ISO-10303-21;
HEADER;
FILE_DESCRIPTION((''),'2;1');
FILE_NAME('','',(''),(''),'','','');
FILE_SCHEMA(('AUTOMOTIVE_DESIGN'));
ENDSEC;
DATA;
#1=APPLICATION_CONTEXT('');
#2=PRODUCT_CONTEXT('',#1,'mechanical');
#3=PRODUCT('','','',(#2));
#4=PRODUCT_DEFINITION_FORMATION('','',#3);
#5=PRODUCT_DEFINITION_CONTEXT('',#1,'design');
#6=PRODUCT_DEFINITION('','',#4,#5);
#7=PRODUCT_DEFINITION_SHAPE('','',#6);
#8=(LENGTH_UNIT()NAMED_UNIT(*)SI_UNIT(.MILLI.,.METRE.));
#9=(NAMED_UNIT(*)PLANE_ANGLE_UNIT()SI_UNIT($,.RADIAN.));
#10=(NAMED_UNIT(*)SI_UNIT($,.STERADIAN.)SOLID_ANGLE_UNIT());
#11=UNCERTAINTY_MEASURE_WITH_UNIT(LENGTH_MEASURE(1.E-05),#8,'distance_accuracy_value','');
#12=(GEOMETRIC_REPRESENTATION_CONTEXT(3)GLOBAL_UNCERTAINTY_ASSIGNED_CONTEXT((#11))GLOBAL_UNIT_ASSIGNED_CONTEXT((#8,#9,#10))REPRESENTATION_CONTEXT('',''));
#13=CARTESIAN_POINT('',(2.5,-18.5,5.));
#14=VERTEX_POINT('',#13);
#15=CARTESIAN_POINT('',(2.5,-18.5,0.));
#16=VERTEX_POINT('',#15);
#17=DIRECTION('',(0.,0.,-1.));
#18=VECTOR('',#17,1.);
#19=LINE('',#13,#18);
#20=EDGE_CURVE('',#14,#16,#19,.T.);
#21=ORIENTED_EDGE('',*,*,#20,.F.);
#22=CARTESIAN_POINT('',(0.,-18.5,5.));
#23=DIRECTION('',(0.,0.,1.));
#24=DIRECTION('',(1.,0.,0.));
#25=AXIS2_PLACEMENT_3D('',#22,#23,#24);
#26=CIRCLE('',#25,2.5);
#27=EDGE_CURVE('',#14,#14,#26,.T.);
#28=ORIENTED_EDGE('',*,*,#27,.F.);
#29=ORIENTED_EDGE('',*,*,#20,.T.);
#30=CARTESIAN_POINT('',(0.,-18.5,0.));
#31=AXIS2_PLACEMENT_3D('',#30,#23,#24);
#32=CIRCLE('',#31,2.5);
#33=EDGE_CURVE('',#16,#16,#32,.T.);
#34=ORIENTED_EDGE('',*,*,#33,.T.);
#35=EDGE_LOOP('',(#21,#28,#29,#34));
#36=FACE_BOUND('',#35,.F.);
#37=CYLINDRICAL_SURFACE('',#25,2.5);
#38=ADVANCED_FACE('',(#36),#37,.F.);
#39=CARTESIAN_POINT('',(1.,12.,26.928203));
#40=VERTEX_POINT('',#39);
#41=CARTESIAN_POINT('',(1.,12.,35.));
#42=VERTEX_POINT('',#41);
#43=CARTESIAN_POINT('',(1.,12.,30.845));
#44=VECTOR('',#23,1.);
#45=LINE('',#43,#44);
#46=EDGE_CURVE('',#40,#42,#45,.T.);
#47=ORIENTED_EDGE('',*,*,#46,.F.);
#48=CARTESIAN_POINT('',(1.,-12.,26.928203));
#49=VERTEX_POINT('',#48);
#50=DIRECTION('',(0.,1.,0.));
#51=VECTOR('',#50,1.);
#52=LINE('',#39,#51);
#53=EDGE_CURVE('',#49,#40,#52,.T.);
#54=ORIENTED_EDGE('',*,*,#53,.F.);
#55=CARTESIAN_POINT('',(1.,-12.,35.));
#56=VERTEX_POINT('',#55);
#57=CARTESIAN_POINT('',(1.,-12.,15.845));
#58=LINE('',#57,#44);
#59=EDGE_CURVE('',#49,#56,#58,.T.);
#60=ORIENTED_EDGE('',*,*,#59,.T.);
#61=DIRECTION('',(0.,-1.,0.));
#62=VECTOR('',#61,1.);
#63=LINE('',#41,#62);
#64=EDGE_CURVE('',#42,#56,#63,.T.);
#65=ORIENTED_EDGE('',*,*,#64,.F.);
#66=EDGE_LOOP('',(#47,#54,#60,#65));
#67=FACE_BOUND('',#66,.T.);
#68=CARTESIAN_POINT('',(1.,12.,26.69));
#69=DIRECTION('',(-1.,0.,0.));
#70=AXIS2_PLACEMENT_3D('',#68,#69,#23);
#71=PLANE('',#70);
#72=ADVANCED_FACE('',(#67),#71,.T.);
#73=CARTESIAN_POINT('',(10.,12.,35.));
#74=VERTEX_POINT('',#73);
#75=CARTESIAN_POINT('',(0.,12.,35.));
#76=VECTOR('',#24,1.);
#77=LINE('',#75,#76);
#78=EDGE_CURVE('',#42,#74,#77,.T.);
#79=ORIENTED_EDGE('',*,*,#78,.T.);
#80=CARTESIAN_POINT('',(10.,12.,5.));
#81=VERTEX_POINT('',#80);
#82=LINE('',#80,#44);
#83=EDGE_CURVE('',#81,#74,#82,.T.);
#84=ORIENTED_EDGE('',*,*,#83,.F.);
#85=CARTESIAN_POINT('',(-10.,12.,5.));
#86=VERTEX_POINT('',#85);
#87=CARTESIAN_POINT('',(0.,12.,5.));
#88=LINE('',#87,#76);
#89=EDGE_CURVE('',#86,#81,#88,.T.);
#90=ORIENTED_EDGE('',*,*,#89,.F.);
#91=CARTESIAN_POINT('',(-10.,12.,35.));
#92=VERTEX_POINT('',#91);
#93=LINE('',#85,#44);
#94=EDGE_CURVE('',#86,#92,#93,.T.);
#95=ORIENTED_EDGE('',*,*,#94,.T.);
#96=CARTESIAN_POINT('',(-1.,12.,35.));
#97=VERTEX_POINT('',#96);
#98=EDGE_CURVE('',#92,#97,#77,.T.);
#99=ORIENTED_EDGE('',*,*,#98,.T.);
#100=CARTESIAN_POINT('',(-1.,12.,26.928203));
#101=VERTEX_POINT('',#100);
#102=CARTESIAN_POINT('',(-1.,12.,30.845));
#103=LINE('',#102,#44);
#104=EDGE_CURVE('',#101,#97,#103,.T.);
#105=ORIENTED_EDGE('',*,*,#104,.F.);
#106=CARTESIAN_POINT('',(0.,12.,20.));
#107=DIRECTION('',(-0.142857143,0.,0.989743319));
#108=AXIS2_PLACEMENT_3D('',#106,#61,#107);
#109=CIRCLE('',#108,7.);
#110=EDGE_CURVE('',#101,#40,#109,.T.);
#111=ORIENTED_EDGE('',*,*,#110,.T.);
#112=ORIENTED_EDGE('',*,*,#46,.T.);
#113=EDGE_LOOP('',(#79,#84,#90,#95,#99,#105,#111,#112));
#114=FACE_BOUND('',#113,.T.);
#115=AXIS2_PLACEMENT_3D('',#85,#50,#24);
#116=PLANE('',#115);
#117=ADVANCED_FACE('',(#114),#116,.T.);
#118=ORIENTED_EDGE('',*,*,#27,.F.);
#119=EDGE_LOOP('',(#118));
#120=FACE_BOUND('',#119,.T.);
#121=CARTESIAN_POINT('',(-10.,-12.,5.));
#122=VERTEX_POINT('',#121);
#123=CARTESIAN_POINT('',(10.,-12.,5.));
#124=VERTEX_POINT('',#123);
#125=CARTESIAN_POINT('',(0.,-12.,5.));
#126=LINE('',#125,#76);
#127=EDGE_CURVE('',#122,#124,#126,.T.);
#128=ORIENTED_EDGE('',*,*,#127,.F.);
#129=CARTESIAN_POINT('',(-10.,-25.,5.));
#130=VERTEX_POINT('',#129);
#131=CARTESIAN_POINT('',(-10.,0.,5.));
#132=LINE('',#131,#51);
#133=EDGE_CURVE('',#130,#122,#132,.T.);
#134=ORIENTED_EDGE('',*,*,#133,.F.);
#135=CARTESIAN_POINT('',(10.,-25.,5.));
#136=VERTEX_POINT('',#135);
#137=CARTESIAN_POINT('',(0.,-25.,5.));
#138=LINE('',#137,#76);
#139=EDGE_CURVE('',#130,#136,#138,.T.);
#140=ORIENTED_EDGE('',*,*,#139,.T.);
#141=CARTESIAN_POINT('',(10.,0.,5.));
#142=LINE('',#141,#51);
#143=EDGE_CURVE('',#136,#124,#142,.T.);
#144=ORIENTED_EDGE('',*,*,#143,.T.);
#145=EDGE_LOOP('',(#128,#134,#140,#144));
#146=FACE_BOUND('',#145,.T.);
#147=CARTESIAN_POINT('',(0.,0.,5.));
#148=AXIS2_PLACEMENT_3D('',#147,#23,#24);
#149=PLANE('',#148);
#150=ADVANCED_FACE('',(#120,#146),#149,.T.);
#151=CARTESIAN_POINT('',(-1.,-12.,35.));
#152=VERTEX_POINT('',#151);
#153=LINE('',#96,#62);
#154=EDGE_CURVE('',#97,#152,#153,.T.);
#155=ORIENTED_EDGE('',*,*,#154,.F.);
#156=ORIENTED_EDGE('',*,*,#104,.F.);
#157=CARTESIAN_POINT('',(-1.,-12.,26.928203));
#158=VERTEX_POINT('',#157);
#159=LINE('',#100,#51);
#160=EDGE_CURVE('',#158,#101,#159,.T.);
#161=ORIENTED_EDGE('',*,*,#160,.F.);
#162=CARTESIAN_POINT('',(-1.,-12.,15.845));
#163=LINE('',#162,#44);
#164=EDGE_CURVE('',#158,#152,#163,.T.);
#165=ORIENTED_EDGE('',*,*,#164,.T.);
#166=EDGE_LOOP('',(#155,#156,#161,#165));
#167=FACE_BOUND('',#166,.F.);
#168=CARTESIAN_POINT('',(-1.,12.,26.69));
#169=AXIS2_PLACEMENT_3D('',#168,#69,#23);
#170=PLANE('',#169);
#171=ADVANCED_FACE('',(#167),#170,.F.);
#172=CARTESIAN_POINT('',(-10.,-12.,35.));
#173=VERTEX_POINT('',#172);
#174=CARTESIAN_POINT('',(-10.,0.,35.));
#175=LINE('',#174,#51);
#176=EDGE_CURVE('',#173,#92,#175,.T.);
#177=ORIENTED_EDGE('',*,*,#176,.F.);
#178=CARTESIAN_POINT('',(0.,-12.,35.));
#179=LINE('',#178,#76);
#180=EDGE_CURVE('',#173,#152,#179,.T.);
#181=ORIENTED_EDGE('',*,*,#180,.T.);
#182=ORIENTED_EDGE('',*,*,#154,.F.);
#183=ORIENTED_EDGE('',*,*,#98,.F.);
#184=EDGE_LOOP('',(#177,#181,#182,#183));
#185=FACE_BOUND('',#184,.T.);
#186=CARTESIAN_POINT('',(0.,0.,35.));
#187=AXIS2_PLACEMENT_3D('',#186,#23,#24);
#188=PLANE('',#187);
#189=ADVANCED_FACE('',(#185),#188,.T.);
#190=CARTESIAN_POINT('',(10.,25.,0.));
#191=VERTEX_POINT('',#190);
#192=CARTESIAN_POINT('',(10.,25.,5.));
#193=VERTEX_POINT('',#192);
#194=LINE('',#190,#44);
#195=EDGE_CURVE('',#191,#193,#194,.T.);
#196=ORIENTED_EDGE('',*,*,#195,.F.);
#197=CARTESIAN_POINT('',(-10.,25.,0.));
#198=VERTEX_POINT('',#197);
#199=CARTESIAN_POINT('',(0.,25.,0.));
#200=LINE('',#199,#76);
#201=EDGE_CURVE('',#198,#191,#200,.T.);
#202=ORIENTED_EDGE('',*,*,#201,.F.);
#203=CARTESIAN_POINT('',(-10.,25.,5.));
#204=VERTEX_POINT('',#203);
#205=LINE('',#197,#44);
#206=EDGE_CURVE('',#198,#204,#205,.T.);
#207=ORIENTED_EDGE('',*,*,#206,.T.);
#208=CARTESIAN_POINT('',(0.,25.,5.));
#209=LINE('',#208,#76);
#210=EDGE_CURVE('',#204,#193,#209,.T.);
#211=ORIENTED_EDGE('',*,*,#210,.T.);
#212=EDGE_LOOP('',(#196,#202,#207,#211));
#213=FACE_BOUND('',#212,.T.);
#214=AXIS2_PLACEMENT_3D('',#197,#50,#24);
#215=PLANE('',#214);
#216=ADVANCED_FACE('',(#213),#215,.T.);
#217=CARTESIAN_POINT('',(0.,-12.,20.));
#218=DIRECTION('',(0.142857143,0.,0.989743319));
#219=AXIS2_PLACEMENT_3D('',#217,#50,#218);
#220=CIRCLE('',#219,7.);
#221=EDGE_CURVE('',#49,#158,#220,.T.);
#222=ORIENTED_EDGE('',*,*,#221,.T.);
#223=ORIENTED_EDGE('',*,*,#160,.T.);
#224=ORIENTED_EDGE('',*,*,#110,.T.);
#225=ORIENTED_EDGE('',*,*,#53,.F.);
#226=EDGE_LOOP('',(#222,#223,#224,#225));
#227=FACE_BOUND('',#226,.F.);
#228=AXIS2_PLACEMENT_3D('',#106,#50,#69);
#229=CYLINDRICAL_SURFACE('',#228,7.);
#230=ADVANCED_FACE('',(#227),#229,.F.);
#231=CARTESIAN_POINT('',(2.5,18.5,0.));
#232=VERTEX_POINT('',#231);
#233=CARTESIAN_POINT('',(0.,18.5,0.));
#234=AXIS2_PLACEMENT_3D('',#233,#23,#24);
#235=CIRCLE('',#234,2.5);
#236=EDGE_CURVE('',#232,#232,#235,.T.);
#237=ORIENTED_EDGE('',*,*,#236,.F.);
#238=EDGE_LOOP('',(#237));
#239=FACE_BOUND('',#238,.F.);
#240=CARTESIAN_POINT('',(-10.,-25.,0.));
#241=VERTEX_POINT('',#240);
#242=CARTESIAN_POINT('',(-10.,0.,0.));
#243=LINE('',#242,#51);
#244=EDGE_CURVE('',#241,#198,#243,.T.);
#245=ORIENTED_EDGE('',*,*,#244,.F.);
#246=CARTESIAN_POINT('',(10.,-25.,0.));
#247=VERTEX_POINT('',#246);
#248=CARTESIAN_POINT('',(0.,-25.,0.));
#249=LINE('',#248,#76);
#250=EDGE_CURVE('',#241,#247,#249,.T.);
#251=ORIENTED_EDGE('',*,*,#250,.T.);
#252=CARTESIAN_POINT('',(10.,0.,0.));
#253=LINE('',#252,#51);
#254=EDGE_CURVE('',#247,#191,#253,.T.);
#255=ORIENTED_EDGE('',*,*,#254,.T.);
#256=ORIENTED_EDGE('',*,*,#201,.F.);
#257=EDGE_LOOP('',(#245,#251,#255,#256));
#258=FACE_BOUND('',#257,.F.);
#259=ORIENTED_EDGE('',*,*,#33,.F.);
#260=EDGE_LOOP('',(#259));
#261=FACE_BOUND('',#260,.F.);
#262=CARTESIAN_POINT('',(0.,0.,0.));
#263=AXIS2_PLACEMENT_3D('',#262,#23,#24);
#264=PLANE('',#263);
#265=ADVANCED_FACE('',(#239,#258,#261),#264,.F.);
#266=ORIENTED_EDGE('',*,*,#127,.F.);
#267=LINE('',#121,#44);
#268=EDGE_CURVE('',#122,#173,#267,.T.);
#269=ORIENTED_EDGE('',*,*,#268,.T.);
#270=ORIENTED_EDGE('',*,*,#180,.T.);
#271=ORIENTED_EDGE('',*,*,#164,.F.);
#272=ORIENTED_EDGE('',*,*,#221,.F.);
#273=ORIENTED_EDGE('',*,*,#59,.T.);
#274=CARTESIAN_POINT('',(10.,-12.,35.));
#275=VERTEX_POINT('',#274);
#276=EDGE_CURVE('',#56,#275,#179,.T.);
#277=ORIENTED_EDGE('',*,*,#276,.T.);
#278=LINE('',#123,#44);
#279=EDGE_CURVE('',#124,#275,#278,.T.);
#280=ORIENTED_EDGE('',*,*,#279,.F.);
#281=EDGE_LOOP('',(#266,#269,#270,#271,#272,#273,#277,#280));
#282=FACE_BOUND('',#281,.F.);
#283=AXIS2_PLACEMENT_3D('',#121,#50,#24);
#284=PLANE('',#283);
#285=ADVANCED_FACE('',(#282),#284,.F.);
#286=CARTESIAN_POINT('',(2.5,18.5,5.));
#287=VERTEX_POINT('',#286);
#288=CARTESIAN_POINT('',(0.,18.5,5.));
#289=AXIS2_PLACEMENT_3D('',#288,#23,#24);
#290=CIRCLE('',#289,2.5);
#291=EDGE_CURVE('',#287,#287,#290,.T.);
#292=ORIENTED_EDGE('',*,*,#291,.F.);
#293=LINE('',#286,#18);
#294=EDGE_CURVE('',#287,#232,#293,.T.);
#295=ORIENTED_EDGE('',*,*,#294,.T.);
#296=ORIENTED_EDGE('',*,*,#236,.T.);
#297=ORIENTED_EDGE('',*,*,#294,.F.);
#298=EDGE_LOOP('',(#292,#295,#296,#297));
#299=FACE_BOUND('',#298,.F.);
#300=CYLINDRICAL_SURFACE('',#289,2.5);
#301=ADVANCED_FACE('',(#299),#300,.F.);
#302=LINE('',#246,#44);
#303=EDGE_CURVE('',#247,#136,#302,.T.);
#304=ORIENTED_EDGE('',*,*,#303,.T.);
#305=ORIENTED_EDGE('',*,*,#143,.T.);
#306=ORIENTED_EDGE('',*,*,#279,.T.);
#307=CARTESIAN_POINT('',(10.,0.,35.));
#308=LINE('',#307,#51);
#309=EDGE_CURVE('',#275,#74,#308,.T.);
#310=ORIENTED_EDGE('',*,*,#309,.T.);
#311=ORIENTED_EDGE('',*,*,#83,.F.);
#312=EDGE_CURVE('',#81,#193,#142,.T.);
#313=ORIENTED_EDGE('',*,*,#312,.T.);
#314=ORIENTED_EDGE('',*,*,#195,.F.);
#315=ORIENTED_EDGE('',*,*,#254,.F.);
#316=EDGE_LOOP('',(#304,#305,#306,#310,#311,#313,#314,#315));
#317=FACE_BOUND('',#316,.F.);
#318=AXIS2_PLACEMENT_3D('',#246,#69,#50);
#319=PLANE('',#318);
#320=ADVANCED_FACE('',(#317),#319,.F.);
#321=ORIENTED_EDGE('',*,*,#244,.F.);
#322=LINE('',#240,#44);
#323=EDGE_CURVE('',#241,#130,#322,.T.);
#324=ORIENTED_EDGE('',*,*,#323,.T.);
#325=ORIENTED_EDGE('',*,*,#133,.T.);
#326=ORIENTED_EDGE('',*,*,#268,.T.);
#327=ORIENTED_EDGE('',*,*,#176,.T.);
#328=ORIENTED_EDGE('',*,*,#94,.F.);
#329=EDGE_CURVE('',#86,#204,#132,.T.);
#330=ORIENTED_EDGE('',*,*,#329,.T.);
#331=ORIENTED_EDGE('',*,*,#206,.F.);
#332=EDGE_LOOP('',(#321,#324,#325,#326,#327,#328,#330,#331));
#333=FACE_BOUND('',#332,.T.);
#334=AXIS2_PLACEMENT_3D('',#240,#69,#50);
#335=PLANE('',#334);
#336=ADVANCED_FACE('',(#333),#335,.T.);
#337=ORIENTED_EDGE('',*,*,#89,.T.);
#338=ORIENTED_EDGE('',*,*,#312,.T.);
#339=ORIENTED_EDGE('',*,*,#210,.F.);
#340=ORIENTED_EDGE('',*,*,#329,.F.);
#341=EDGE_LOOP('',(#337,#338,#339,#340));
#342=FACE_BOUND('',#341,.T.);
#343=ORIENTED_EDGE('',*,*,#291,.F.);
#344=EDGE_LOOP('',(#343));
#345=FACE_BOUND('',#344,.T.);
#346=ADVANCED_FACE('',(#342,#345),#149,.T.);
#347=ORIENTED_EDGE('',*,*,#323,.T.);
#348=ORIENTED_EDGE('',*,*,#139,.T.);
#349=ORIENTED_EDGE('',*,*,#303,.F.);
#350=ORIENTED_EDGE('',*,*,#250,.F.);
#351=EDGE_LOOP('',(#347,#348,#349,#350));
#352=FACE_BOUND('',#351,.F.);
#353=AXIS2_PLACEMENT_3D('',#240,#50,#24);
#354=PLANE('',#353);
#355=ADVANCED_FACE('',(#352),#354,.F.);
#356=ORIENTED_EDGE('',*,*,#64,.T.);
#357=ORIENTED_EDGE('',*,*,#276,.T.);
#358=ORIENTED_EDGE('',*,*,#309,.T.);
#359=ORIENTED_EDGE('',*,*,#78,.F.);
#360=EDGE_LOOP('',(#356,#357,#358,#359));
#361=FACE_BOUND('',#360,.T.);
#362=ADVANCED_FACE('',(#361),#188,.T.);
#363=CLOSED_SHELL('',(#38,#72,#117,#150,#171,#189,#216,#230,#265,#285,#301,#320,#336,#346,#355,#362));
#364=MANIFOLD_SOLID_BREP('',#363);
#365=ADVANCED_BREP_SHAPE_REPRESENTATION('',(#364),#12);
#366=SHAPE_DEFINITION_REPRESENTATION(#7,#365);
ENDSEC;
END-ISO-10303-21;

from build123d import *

# Parameters (mm, degrees)
SKETCH020_W     = 20
SKETCH020_H     = 50
PAD011_DEPTH    = 5
SKETCH021_R     = 2.5
POCKET008_DEPTH = 5.001
SKETCH022_W     = 20
SKETCH022_H     = 24
PAD012_DEPTH    = 30
SKETCH023_R     = 7
POCKET009_DEPTH = 37.001
SKETCH024_W     = 2
SKETCH024_H     = 8.31
POCKET010_DEPTH = 37.001


with BuildPart() as part:
    # Sketch020 → Pad011 (new body)
    with BuildSketch(Plane.XY):
        Rectangle(SKETCH020_W, SKETCH020_H)
    extrude(amount=PAD011_DEPTH)

    # Sketch021 (on Face6 of Pad011) → Pocket008 (cut, through all)
    with BuildSketch(Plane.XY.offset(5)):
        with Locations((0, -18.5)):
            Circle(SKETCH021_R)
        with Locations((0, 18.5)):
            Circle(SKETCH021_R)
    extrude(amount=-POCKET008_DEPTH, mode=Mode.SUBTRACT)

    # Sketch022 (on Face5 of Pocket008) → Pad012 (join)
    with BuildSketch(Plane.XY.offset(5)):
        Rectangle(SKETCH022_W, SKETCH022_H)
    extrude(amount=PAD012_DEPTH)

    # Sketch023 (on Face12 of Pad012) → Pocket009 (cut, through all)
    with BuildSketch(Plane(origin=(0, 12, 0), x_dir=(-1, 0, 0), z_dir=(0, 1, 0))):
        with Locations((0, 20)):
            Circle(SKETCH023_R)
    extrude(amount=-POCKET009_DEPTH, mode=Mode.SUBTRACT)

    # Sketch024 (on Face12 of Pocket009) → Pocket010 (cut, through all)
    with BuildSketch(Plane(origin=(0, 12, 0), x_dir=(-1, 0, 0), z_dir=(0, 1, 0))):
        with Locations((0, 30.845)):
            Rectangle(SKETCH024_W, SKETCH024_H)
    extrude(amount=-POCKET010_DEPTH, mode=Mode.SUBTRACT)


solid = part.part
